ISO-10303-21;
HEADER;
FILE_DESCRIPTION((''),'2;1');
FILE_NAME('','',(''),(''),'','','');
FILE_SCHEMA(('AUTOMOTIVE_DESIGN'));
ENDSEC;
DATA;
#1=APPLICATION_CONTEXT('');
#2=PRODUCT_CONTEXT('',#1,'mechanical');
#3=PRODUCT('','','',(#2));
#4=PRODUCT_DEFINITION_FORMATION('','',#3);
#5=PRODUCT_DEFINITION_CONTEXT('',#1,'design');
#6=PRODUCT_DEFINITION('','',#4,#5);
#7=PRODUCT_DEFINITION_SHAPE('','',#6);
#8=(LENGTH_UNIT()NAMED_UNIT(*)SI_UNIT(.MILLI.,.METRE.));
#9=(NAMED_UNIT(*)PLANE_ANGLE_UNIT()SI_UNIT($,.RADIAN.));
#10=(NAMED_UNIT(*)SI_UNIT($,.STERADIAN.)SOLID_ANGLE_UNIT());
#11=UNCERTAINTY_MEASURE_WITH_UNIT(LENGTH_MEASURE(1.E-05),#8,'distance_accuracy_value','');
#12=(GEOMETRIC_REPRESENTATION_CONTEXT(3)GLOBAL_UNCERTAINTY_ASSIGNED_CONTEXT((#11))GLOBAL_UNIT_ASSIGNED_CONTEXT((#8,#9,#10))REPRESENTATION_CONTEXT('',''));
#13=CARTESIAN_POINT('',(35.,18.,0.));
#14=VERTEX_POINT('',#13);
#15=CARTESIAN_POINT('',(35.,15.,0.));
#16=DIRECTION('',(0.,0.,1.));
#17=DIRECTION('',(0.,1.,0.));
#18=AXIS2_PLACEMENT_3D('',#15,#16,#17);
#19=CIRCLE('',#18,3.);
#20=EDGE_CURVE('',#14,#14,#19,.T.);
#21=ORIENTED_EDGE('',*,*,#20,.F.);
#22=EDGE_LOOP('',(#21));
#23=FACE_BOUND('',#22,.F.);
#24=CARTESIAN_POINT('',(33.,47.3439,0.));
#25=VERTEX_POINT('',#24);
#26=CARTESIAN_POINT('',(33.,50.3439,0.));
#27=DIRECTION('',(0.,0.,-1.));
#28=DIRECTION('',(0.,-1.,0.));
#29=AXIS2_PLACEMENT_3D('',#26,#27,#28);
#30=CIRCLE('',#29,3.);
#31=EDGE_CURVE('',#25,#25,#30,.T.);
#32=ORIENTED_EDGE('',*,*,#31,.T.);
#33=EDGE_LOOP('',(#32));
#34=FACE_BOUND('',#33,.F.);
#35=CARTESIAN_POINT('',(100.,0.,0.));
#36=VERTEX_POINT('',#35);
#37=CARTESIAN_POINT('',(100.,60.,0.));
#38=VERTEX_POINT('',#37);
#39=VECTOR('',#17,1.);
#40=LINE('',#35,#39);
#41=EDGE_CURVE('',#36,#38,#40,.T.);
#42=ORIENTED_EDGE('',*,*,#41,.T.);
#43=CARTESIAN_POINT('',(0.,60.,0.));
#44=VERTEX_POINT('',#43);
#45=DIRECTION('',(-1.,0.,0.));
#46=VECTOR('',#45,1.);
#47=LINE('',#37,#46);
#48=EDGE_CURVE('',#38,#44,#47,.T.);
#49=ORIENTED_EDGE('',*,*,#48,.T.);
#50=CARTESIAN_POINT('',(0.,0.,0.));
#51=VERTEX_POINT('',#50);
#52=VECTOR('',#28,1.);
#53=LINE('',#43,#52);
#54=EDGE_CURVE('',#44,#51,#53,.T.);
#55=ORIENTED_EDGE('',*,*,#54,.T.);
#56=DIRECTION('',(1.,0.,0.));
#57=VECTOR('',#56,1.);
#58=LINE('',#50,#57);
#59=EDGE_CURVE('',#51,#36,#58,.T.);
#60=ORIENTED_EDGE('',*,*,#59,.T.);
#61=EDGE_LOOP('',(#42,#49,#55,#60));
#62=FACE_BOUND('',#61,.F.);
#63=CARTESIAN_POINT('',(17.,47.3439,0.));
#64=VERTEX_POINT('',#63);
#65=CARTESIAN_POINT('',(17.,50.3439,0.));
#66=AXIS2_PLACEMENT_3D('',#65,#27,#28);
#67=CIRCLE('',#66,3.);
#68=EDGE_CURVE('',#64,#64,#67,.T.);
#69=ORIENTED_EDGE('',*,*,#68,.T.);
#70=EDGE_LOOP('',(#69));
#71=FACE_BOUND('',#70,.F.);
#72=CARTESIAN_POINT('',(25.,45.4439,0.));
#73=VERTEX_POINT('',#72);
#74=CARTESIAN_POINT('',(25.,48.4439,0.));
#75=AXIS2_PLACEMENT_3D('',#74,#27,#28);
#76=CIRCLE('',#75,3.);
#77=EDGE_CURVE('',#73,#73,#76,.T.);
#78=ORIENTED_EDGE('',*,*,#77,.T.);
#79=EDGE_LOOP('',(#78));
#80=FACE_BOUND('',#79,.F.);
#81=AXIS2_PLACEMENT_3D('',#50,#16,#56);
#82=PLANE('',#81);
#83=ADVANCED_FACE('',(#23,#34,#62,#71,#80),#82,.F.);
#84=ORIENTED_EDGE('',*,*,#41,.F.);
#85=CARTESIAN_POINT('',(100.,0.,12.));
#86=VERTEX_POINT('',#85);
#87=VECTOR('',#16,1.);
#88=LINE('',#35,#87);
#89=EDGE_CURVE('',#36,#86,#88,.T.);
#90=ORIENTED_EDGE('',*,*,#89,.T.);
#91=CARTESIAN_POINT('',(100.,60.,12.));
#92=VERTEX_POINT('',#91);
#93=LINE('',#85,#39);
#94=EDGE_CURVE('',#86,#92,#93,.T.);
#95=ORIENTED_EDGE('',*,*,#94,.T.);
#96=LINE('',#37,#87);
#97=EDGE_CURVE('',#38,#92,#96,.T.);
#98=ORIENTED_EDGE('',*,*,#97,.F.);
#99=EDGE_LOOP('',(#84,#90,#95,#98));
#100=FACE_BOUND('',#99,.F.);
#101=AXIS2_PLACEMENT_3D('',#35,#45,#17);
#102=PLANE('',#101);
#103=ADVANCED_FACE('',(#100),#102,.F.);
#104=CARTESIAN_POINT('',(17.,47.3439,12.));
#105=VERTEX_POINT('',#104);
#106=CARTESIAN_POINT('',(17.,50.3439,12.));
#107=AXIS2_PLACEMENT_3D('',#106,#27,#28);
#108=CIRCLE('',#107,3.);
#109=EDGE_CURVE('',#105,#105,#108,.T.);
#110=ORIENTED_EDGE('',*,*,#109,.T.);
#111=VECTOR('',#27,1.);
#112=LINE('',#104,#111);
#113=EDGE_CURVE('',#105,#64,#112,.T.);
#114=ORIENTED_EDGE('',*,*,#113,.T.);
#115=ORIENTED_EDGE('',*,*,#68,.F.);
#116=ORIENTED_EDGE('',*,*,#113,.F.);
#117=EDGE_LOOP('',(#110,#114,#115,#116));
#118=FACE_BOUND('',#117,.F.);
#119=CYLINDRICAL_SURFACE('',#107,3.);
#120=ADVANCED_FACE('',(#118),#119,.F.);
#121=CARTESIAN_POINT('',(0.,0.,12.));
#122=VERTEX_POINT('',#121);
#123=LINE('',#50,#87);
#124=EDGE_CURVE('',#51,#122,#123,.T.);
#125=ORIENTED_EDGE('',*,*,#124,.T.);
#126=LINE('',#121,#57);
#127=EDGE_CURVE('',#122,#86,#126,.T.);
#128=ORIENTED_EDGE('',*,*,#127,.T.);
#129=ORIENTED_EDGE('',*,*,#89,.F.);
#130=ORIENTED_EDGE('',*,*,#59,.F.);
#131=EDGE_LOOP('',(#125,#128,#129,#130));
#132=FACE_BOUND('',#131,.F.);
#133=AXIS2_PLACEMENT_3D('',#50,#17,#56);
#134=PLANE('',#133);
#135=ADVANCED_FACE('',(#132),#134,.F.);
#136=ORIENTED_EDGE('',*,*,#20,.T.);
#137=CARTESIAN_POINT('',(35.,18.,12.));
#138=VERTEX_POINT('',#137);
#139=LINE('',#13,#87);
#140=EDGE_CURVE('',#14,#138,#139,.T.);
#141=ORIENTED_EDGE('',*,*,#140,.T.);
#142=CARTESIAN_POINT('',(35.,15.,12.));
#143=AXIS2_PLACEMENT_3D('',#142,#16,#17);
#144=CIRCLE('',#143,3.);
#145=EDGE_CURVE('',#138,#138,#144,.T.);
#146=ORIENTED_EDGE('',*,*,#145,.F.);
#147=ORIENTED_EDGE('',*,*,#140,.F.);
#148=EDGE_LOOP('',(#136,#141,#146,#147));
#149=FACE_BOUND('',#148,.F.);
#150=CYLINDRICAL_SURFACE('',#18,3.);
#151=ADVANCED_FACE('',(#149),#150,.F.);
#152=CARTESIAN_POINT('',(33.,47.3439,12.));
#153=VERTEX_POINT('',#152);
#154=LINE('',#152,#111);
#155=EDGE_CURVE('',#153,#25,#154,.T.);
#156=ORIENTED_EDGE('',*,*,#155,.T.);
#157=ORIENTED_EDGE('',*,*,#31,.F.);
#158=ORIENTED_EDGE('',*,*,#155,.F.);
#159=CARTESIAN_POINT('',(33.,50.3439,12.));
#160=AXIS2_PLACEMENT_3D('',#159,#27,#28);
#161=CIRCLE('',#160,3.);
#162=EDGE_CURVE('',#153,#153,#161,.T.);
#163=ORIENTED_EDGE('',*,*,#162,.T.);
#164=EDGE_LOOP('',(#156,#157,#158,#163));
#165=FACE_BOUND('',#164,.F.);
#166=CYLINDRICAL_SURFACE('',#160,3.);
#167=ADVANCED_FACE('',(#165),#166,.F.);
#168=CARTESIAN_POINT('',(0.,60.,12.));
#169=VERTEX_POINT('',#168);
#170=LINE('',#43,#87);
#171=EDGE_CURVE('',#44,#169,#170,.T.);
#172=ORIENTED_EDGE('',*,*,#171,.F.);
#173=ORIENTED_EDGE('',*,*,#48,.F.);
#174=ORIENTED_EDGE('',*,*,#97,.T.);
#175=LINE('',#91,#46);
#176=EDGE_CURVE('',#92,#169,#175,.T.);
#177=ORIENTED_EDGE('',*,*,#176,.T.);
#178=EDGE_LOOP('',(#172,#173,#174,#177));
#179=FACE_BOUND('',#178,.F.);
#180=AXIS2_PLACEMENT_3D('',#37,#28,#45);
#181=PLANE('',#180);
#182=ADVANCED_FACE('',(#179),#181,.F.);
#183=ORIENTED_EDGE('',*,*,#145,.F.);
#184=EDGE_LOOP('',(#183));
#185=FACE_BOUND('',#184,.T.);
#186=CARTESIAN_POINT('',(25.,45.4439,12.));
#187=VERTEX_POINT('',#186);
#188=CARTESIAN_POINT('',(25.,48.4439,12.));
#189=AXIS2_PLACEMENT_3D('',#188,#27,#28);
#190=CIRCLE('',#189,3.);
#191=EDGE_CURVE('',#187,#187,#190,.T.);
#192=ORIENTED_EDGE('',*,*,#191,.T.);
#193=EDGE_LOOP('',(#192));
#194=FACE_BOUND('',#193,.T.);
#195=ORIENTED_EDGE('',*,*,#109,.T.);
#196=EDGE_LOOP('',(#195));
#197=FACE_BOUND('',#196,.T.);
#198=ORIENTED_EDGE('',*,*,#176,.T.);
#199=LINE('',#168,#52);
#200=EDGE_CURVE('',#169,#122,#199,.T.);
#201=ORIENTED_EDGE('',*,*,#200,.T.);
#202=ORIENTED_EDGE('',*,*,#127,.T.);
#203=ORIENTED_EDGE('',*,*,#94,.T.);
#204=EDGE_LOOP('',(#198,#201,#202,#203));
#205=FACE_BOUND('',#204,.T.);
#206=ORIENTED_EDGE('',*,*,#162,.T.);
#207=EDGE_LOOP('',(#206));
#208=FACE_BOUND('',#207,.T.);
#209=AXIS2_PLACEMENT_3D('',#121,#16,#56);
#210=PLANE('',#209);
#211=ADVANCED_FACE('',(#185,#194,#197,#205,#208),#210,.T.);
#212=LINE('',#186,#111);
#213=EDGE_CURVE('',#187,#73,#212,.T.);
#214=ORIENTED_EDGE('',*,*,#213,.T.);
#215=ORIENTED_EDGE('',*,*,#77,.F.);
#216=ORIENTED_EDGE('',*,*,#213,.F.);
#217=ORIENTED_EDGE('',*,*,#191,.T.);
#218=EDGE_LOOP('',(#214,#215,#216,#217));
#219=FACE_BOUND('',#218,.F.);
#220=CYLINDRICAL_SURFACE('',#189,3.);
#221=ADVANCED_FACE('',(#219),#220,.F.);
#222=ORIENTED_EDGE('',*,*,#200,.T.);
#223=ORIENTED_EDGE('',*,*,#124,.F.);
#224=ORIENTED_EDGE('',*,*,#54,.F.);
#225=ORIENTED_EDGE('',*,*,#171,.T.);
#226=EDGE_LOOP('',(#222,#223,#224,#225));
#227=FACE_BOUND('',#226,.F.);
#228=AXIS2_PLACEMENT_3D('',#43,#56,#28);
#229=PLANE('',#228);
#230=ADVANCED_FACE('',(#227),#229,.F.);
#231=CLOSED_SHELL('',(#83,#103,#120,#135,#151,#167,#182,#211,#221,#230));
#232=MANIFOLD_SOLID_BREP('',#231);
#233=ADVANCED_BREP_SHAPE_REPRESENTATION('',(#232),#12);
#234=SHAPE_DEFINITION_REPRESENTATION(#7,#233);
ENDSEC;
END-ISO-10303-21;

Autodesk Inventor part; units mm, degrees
ref_plane "YZ Plane" through (0, 0, 0) normal (1, 0, 0) x (0, 1, 0)
ref_plane "XZ Plane" through (0, 0, 0) normal (0, 1, 0) x (-1, 0, 0)
ref_plane "XY Plane" through (0, 0, 0) normal (0, 0, 1) x (1, 0, 0)
sketch "Skizze1" plane through (0, 0, 0) normal (0, 0, 1) x (1, 0, 0)
  line L0 (0, 0) -> (100, 0)
  line L1 (100, 0) -> (100, 60)
  line L2 (100, 60) -> (0, 60)
  line L3 (0, 60) -> (0, 0)
  dimension "d0" = 100
  dimension "d1" = 60
extrude "Extrusion1" add sketch "Skizze1" along normal blind 12
sketch "Skizze2" plane through (0, 0, 12) normal (0, 0, 1) x (1, 0, 0)
  circle A0 centre (33, 50.3439) radius 3
  circle A1 centre (17, 50.3439) radius 3
  point P0 (0, 0)
  point P1 (25, 45.3439)
hole "Bohrung1" at (17, 50.3439, 12) at (33, 50.3439, 12) direction (0, 0, -1) diameter 6 end through all
sketch "Skizze4" plane through (0, 0, 12) normal (0, 0, 1) x (1, 0, 0)
  circle A0 centre (25, 48.4439) radius 3.1
  point P0 (0, 0)
  point P1 (25, 45.3439)
hole "Bohrung3" at (25, 48.4439, 12) direction (0, 0, -1) diameter 6 end through all
sketch "Skizze6" plane through (0, 0, 0) normal (0, 0, -1) x (-1, 0, 0)
  circle A0 centre (-35, 15) radius 2.5
  point P0 (0, 0)
hole "Bohrung5" at (35, 15, 0) direction (0, 0, 1) diameter 6 end through all
properties part number "Seitenwand"
